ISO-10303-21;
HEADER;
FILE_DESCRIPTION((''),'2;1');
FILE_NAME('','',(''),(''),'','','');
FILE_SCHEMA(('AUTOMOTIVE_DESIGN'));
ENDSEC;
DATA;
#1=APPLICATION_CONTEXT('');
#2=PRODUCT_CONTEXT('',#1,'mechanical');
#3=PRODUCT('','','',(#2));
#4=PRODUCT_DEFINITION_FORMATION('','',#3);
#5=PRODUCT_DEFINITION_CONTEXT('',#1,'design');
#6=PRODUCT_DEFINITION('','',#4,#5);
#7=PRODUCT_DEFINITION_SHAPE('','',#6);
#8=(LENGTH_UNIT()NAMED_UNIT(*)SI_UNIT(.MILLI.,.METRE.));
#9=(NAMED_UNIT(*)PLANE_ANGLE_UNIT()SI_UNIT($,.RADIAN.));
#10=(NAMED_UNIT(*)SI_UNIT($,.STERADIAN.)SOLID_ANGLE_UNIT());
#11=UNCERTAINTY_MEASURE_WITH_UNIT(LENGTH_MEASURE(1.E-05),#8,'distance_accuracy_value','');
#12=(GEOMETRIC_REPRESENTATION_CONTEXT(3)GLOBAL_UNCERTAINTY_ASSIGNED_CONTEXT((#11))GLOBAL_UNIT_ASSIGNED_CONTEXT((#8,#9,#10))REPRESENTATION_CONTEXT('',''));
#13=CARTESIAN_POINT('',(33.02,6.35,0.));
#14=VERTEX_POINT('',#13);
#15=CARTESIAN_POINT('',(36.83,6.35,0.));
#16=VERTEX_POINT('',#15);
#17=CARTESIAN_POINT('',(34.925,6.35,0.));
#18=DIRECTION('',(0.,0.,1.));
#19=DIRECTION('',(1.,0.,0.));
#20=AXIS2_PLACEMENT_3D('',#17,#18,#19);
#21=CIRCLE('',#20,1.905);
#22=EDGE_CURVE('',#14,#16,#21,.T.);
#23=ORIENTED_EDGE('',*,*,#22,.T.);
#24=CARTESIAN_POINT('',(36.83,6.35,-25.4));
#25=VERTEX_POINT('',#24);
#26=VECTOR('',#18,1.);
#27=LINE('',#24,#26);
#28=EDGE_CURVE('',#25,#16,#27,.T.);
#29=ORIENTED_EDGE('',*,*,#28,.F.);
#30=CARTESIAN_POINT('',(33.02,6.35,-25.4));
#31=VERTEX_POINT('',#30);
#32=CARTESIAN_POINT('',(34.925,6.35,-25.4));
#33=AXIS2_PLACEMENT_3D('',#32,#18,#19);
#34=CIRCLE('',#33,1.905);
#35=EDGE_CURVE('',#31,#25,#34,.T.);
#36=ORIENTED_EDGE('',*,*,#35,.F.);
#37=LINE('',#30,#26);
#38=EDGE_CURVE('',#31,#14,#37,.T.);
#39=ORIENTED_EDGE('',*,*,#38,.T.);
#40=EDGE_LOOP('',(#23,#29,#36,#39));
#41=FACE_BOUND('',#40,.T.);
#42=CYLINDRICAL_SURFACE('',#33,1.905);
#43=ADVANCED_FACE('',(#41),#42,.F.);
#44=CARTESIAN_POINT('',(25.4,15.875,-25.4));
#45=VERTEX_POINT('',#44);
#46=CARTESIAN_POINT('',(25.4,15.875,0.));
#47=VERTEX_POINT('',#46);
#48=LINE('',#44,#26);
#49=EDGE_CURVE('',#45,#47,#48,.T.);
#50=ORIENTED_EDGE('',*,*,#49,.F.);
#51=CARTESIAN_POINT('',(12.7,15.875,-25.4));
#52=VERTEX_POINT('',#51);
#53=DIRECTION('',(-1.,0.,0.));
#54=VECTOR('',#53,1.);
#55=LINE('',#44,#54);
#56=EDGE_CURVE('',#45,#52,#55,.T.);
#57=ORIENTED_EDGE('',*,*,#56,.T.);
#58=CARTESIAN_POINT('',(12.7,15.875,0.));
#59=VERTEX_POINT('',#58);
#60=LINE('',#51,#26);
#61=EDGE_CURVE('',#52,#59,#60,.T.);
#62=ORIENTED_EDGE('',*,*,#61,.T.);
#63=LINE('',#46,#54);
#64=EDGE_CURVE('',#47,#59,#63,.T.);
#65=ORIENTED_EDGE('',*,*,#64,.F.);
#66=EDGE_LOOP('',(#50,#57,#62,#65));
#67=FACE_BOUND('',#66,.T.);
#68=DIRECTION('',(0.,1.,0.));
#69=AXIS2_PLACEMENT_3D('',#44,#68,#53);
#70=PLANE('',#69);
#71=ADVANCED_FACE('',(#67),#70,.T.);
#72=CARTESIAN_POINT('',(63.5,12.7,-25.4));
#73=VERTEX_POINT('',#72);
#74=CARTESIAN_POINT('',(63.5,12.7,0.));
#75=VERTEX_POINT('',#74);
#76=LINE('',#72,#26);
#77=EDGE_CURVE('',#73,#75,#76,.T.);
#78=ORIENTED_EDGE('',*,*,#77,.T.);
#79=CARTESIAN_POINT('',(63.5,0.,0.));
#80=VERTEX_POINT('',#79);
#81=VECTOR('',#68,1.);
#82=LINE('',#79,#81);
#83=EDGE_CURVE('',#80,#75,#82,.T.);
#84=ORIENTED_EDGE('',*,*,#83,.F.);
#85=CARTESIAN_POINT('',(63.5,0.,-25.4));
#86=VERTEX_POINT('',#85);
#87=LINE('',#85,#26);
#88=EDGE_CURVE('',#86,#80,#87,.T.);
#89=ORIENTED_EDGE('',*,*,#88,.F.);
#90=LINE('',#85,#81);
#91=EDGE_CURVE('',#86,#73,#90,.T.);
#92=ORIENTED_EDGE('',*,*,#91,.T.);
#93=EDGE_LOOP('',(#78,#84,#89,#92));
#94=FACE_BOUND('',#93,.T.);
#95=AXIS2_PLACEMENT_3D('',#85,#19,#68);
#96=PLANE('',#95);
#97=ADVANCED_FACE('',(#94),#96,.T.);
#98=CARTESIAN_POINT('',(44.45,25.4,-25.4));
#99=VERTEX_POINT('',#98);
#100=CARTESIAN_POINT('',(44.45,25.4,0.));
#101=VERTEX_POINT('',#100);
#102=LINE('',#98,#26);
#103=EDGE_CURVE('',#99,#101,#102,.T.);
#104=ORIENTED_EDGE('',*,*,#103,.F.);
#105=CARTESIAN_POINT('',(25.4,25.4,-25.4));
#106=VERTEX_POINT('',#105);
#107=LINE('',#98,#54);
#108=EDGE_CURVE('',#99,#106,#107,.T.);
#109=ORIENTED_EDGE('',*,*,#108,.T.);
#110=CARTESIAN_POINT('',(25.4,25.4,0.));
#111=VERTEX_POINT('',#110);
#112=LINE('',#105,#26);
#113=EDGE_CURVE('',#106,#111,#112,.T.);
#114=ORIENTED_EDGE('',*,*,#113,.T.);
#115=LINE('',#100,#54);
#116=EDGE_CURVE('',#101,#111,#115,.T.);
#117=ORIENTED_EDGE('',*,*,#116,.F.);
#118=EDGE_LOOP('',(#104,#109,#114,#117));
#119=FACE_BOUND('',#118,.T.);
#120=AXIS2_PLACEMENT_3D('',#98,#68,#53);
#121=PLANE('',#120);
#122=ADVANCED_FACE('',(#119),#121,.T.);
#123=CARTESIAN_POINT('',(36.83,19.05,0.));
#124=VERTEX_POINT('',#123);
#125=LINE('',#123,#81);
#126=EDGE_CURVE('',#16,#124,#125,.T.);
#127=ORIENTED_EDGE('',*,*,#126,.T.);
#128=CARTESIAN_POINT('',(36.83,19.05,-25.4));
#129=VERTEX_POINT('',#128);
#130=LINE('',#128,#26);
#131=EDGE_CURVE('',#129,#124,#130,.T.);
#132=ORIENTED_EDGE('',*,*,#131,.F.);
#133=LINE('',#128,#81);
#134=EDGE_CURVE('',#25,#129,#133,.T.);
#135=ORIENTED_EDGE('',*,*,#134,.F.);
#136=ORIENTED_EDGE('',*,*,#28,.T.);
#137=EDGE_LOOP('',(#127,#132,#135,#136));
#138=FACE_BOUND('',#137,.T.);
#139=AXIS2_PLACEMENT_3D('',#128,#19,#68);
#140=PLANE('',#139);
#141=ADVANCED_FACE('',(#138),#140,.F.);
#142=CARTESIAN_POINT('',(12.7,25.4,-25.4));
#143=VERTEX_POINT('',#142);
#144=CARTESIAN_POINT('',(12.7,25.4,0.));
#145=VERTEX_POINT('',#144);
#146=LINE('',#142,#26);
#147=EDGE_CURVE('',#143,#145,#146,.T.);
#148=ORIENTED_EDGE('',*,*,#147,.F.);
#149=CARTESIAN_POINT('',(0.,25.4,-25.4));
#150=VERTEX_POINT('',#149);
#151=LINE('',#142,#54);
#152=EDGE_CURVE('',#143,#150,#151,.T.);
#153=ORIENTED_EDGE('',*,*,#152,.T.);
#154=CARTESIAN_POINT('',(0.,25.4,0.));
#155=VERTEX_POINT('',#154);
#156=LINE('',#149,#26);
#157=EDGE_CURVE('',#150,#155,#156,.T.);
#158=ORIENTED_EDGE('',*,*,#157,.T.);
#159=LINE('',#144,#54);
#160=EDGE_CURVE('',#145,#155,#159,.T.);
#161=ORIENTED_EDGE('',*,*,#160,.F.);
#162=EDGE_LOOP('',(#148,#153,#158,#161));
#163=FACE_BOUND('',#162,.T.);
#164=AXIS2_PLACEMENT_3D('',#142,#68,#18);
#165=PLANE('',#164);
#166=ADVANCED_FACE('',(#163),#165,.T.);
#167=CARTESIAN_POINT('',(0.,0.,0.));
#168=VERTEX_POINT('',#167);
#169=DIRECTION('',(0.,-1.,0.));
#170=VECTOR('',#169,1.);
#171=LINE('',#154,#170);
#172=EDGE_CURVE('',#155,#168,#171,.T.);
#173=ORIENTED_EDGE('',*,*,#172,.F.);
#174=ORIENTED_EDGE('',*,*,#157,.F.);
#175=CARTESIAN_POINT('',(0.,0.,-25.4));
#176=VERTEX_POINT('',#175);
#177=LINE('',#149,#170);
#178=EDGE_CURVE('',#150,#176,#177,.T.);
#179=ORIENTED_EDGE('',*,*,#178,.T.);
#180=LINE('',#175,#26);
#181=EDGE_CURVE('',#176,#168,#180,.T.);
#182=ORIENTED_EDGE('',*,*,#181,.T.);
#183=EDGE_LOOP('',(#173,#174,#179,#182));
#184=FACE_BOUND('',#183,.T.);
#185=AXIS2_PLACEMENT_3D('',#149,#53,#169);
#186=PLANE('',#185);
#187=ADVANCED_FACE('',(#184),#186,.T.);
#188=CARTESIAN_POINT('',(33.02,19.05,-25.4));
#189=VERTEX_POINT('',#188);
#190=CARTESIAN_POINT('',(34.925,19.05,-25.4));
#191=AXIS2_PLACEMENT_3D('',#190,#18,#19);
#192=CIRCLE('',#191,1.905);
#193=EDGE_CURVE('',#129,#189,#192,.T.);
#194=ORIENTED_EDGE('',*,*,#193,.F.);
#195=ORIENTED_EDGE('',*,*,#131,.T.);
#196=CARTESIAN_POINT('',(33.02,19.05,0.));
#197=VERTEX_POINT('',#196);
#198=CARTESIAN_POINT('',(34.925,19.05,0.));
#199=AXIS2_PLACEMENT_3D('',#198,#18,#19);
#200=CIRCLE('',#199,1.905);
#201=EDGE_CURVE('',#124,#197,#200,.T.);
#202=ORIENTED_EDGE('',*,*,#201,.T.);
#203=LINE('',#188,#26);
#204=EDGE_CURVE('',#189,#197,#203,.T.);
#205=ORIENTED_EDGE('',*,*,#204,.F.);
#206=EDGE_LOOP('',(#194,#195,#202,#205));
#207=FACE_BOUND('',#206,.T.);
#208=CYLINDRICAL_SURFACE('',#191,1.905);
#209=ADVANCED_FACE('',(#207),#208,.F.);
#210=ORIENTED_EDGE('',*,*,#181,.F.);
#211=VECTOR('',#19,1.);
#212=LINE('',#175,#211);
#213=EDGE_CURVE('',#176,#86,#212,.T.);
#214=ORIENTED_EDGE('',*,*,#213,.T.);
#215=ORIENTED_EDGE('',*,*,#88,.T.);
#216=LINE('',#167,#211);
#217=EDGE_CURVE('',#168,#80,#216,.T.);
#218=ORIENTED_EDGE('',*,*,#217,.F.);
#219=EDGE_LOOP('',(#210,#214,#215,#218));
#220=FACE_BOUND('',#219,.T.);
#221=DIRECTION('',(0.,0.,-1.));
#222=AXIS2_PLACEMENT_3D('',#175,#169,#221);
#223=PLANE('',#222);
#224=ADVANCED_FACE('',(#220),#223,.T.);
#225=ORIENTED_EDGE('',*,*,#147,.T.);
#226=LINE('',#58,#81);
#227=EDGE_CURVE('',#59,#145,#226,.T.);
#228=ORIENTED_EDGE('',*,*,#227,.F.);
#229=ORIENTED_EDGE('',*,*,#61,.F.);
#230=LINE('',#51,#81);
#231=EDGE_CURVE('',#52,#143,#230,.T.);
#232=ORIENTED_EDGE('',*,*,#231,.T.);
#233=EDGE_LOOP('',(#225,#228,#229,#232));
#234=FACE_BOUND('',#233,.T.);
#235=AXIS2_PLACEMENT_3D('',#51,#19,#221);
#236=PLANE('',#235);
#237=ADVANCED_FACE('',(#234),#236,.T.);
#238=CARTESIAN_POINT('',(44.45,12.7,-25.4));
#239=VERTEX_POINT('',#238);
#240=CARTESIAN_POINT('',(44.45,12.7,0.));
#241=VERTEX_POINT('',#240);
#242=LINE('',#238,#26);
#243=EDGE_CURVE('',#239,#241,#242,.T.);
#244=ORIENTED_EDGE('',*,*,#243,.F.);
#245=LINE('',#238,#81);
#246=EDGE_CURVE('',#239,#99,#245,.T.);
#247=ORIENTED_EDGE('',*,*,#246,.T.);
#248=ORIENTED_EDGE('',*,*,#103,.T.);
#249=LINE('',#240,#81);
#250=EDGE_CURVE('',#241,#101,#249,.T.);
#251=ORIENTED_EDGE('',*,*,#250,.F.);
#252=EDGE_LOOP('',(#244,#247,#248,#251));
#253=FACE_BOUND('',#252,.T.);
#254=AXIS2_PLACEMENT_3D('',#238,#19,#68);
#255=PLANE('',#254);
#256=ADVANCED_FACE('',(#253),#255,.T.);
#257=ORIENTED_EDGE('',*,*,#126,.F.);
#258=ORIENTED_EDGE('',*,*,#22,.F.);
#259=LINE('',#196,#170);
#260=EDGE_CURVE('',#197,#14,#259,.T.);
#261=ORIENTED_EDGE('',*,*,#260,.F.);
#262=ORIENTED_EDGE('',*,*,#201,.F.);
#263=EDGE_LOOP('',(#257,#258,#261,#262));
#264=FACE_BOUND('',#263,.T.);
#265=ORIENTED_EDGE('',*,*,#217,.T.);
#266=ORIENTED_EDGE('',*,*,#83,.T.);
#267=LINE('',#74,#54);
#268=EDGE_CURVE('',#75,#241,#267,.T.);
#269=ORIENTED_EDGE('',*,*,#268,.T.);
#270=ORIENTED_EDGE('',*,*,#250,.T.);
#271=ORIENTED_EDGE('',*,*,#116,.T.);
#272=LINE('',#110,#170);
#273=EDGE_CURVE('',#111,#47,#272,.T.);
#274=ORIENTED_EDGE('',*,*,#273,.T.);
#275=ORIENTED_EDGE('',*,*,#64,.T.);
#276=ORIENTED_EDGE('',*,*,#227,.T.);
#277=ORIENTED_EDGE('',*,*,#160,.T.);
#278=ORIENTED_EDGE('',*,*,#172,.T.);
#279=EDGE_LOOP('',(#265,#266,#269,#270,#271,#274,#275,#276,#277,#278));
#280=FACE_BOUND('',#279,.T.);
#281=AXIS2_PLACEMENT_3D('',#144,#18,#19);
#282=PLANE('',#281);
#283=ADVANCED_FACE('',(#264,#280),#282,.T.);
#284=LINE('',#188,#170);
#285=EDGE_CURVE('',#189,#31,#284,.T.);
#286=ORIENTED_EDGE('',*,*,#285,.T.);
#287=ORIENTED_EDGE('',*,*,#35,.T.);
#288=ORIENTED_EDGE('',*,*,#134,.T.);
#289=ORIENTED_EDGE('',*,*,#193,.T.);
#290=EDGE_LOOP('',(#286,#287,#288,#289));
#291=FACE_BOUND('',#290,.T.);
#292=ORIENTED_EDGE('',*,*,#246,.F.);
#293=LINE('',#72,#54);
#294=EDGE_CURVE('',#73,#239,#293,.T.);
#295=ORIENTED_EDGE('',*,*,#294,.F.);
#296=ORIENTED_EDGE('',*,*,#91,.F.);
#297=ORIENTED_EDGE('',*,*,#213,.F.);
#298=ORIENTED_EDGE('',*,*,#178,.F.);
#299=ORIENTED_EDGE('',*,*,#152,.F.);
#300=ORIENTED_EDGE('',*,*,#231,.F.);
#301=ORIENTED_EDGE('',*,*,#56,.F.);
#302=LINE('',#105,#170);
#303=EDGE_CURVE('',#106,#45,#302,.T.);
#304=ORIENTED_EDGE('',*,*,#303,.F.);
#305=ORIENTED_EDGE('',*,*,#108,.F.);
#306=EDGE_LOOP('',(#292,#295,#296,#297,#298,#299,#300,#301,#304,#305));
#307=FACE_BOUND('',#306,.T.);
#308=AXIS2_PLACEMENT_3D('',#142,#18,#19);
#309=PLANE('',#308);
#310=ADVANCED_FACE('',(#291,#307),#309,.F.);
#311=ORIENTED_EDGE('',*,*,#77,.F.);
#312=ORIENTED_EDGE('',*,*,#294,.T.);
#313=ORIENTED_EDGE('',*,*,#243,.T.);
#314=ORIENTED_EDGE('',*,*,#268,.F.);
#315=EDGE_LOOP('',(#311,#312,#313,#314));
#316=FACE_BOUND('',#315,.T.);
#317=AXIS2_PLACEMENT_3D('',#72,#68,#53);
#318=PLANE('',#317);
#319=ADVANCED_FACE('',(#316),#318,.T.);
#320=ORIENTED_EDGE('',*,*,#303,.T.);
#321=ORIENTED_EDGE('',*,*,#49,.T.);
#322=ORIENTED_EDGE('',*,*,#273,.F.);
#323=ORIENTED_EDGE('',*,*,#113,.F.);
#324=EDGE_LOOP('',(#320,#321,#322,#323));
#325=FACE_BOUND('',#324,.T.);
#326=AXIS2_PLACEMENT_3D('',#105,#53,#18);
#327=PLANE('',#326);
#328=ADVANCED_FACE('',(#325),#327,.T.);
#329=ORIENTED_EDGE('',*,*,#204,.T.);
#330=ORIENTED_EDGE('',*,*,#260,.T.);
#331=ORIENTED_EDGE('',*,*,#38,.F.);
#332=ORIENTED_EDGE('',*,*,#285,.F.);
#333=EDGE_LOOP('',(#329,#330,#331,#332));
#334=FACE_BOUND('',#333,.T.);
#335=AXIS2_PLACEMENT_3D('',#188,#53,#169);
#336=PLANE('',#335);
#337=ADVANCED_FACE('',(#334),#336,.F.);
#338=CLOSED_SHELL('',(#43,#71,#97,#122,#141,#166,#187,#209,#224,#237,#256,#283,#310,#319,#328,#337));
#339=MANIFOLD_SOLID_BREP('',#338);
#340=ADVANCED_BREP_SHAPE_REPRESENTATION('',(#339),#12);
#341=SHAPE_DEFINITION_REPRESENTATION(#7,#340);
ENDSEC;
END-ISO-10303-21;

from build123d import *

# Parameters (mm, degrees)
BOSS_EXTRUDE1_DEPTH = 25.4


with BuildPart() as part:
    # Sketch1 → Boss-Extrude1 (new body)
    with BuildSketch(Plane.XY):
        Polygon((12.7, 25.4), (0, 25.4), (0, 0), (63.5, 0), (63.5, 12.7), (44.45, 12.7), (44.45, 25.4), (25.4, 25.4), (25.4, 15.875), (12.7, 15.875), align=None)
        with BuildLine():
            Line((36.83, 19.05), (36.83, 6.35))
            ThreePointArc((36.83, 6.35), (34.925, 4.445), (33.02, 6.35))
            Line((33.02, 6.35), (33.02, 19.05))
            ThreePointArc((33.02, 19.05), (34.925, 20.955), (36.83, 19.05))
        make_face(mode=Mode.SUBTRACT)
    extrude(amount=-BOSS_EXTRUDE1_DEPTH)


solid = part.part
